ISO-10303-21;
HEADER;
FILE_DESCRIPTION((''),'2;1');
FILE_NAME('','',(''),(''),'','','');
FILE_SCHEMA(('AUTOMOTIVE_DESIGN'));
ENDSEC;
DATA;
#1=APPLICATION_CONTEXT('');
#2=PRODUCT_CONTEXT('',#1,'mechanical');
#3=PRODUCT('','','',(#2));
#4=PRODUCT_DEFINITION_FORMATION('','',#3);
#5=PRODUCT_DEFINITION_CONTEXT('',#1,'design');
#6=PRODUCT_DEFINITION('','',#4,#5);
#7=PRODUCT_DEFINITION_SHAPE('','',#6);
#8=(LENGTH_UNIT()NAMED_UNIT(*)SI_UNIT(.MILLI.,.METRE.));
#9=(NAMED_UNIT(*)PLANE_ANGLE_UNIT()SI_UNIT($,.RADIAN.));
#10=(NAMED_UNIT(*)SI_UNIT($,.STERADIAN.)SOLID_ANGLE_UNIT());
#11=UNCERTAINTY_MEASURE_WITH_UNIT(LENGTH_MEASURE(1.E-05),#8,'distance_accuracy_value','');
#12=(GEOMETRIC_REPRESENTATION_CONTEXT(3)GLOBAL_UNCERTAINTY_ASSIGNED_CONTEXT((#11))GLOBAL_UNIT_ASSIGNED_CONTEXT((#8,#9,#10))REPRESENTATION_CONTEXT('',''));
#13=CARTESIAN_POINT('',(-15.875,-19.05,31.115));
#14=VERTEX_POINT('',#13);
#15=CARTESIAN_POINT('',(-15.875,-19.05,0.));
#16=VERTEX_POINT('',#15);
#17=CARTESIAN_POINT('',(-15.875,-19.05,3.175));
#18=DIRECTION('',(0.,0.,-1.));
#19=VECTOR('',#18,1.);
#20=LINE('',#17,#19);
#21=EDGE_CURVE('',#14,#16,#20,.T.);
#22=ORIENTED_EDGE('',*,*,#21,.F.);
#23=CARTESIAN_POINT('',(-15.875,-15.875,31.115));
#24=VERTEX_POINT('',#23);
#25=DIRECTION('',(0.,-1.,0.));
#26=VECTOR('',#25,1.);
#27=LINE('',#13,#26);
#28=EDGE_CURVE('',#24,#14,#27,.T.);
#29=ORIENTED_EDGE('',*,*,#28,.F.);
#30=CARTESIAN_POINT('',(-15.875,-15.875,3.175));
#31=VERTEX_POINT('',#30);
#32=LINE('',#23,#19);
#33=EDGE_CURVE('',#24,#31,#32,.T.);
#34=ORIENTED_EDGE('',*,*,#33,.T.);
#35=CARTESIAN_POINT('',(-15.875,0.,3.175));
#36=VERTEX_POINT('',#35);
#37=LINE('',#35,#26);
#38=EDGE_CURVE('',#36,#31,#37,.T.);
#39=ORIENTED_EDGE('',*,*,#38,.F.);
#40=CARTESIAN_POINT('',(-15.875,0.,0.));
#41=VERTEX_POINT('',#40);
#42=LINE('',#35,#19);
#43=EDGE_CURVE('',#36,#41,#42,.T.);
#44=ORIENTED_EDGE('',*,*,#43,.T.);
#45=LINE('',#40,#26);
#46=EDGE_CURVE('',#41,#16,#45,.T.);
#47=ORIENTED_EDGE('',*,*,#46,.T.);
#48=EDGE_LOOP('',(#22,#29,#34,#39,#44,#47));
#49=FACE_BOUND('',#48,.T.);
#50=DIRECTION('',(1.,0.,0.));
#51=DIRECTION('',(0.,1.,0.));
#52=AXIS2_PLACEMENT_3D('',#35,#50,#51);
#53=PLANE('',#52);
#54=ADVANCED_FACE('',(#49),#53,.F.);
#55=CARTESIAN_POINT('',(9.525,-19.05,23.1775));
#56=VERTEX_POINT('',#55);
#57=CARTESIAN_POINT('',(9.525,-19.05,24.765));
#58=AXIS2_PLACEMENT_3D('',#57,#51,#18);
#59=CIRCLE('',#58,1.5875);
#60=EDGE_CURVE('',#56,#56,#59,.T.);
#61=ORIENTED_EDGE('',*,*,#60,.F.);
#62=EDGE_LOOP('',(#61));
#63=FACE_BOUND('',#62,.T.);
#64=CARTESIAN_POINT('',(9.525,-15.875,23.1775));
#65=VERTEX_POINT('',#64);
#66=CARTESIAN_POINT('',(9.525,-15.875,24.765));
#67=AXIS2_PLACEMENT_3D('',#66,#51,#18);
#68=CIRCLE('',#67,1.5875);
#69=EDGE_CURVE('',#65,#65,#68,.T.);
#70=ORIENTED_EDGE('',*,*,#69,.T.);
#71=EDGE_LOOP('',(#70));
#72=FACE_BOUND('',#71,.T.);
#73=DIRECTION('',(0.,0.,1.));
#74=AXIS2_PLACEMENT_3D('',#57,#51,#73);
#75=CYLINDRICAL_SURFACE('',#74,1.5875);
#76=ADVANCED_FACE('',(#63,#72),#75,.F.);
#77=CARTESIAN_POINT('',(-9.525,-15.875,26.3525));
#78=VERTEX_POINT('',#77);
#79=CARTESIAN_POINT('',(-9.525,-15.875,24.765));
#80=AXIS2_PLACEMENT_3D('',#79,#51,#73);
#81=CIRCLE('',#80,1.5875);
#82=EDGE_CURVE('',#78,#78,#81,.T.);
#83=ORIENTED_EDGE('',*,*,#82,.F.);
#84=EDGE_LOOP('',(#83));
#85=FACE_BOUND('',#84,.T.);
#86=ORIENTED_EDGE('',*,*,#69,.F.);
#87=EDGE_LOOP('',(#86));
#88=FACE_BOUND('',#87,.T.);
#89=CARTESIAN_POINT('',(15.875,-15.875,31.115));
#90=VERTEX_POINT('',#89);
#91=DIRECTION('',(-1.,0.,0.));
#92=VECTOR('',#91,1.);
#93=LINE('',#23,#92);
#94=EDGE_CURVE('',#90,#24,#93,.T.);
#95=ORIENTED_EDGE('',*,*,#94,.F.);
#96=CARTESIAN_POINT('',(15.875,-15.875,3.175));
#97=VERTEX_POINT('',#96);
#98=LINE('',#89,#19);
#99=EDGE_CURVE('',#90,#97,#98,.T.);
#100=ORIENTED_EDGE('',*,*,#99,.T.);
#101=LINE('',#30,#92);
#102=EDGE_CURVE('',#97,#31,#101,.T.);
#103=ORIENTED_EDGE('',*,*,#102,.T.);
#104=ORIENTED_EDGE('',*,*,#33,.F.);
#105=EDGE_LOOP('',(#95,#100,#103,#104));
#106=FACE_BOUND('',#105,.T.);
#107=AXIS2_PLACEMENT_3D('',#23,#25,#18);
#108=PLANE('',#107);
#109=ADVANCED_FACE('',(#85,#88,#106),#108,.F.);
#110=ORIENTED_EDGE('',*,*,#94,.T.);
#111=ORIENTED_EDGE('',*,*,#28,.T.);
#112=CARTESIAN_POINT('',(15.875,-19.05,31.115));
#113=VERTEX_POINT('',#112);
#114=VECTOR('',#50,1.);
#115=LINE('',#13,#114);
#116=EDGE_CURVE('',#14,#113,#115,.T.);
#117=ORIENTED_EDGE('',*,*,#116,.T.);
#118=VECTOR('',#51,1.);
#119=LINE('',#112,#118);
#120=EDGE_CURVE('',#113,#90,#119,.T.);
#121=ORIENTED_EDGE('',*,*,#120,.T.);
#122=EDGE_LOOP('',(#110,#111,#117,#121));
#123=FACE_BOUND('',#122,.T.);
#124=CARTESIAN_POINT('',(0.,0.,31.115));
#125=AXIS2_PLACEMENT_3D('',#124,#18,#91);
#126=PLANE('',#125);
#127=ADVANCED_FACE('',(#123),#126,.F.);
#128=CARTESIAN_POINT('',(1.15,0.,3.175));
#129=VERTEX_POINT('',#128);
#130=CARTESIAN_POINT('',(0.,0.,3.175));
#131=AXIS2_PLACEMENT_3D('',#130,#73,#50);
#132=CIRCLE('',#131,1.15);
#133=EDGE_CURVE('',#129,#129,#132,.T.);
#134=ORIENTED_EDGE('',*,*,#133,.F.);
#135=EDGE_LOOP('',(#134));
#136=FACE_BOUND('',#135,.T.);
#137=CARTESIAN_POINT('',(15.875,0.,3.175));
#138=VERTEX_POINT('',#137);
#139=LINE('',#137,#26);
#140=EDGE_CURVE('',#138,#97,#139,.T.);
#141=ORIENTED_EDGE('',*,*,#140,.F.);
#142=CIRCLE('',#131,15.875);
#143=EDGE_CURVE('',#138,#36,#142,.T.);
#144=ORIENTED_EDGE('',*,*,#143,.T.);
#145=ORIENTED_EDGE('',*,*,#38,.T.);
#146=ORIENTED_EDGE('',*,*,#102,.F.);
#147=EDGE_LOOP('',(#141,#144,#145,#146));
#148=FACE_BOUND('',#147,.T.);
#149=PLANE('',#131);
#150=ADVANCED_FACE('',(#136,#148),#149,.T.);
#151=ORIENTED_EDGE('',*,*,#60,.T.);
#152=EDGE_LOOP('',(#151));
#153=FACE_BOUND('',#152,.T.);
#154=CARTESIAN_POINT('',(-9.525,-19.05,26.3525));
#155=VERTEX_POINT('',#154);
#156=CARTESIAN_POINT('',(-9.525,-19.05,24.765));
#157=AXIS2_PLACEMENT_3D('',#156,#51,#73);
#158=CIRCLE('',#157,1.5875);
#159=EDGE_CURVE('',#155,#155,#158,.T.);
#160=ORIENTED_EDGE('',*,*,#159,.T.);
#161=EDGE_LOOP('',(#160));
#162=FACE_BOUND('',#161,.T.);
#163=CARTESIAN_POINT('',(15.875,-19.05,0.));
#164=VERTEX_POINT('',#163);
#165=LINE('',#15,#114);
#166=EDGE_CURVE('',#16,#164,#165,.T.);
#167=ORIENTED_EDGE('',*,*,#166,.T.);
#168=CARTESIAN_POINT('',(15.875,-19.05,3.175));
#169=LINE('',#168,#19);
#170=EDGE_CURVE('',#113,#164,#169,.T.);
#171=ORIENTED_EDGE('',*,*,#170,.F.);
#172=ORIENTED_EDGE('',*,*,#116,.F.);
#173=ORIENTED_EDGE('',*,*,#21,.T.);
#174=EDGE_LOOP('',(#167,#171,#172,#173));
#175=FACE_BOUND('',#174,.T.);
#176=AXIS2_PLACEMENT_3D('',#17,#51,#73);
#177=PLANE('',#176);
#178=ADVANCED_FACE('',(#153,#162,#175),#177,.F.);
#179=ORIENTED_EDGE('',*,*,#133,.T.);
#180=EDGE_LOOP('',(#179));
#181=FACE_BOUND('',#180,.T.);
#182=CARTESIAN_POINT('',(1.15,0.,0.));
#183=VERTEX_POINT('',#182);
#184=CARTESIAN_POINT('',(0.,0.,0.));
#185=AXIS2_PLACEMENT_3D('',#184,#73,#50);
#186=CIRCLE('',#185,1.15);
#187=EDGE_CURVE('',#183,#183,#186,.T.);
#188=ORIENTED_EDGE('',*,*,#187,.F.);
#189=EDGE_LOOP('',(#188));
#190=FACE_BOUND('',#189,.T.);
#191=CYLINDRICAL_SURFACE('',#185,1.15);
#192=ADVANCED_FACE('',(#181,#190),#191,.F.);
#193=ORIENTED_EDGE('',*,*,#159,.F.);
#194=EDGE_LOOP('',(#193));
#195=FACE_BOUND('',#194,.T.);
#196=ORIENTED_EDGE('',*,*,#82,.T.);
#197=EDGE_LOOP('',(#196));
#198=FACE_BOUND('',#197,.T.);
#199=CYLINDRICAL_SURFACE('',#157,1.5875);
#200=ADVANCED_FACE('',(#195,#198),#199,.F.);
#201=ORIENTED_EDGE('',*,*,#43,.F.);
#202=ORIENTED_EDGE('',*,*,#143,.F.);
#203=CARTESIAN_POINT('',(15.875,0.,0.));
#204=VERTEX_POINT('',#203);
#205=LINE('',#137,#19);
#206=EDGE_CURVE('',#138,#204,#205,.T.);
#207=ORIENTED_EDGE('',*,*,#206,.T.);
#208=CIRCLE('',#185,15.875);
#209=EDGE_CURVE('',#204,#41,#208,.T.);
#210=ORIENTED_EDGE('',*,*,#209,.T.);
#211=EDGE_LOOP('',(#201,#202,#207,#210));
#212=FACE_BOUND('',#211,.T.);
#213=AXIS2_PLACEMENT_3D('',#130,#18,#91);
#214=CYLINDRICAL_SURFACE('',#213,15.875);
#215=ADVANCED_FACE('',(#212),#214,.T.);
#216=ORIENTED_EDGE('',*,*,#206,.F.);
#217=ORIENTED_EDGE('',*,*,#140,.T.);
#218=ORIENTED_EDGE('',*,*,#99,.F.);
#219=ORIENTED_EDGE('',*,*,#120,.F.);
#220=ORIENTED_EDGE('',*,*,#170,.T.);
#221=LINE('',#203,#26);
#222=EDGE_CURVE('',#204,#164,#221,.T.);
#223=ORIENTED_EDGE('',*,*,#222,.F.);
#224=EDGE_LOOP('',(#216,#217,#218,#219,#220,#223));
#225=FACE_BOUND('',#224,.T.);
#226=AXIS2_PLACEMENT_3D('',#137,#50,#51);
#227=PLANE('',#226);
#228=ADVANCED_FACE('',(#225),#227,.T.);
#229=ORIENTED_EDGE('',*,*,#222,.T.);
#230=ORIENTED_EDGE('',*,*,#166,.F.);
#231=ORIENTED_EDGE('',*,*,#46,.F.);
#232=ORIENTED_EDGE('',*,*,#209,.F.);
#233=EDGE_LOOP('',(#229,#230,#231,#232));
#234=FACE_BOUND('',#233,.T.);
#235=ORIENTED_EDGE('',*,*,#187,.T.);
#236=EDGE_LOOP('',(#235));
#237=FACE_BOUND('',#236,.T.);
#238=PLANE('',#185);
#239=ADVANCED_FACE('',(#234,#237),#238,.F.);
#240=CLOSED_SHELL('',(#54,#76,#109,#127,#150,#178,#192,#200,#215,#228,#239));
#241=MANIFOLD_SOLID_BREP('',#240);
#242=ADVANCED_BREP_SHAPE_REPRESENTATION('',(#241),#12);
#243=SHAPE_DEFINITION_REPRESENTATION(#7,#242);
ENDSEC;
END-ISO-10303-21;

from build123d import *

# Parameters (mm, degrees)
BOSS_EXTRUDE1_DEPTH = 3.175
SKETCH4_W           = 31.75
SKETCH4_H           = 3.175
BOSS_EXTRUDE2_DEPTH = 27.94
SKETCH5_R           = 1.5875
CUT_EXTRUDE2_DEPTH  = 48.204039552
SKETCH6_R           = 1.15
CUT_EXTRUDE3_DEPTH  = 38.357217843


with BuildPart() as part:
    # Sketch1 → Boss-Extrude1 (new body)
    with BuildSketch(Plane.XY):
        with BuildLine():
            ThreePointArc((15.875, 0), (0, 15.875), (-15.875, 0))
            Line((-15.875, 0), (15.875, 0))
        make_face()
        with BuildLine():
            ThreePointArc((15.875, 0), (0, -15.875), (-15.875, 0))
            Line((-15.875, 0), (-15.875, -19.05))
            Line((-15.875, -19.05), (15.875, -19.05))
            Line((15.875, -19.05), (15.875, 0))
        make_face()
        with BuildLine():
            Line((15.875, 0), (-15.875, 0))
            ThreePointArc((-15.875, 0), (0, -15.875), (15.875, 0))
        make_face()
    extrude(amount=BOSS_EXTRUDE1_DEPTH)

    # Sketch4 → Boss-Extrude2 (add)
    with BuildSketch(Plane.XY.offset(3.175)):
        with Locations((0, -17.4625)):
            Rectangle(SKETCH4_W, SKETCH4_H)
    extrude(amount=BOSS_EXTRUDE2_DEPTH)

    # Sketch5 → Cut-Extrude2 (cut, through all)
    with BuildSketch(Plane(origin=(0, -15.875, 0), x_dir=(1, 0, 0), z_dir=(0, 1, 0))):
        with Locations(Location((-9.525, -24.765, 0), (0, 0, 270))):
            Circle(SKETCH5_R)
        with Locations(Location((9.525, -24.765, 0), (0, 0, 90))):
            Circle(SKETCH5_R)
    extrude(amount=-CUT_EXTRUDE2_DEPTH, mode=Mode.SUBTRACT)

    # Sketch6 → Cut-Extrude3 (cut, through all)
    with BuildSketch(Plane.XY.offset(3.175)):
        Circle(SKETCH6_R)
    extrude(amount=-CUT_EXTRUDE3_DEPTH, mode=Mode.SUBTRACT)


solid = part.part
